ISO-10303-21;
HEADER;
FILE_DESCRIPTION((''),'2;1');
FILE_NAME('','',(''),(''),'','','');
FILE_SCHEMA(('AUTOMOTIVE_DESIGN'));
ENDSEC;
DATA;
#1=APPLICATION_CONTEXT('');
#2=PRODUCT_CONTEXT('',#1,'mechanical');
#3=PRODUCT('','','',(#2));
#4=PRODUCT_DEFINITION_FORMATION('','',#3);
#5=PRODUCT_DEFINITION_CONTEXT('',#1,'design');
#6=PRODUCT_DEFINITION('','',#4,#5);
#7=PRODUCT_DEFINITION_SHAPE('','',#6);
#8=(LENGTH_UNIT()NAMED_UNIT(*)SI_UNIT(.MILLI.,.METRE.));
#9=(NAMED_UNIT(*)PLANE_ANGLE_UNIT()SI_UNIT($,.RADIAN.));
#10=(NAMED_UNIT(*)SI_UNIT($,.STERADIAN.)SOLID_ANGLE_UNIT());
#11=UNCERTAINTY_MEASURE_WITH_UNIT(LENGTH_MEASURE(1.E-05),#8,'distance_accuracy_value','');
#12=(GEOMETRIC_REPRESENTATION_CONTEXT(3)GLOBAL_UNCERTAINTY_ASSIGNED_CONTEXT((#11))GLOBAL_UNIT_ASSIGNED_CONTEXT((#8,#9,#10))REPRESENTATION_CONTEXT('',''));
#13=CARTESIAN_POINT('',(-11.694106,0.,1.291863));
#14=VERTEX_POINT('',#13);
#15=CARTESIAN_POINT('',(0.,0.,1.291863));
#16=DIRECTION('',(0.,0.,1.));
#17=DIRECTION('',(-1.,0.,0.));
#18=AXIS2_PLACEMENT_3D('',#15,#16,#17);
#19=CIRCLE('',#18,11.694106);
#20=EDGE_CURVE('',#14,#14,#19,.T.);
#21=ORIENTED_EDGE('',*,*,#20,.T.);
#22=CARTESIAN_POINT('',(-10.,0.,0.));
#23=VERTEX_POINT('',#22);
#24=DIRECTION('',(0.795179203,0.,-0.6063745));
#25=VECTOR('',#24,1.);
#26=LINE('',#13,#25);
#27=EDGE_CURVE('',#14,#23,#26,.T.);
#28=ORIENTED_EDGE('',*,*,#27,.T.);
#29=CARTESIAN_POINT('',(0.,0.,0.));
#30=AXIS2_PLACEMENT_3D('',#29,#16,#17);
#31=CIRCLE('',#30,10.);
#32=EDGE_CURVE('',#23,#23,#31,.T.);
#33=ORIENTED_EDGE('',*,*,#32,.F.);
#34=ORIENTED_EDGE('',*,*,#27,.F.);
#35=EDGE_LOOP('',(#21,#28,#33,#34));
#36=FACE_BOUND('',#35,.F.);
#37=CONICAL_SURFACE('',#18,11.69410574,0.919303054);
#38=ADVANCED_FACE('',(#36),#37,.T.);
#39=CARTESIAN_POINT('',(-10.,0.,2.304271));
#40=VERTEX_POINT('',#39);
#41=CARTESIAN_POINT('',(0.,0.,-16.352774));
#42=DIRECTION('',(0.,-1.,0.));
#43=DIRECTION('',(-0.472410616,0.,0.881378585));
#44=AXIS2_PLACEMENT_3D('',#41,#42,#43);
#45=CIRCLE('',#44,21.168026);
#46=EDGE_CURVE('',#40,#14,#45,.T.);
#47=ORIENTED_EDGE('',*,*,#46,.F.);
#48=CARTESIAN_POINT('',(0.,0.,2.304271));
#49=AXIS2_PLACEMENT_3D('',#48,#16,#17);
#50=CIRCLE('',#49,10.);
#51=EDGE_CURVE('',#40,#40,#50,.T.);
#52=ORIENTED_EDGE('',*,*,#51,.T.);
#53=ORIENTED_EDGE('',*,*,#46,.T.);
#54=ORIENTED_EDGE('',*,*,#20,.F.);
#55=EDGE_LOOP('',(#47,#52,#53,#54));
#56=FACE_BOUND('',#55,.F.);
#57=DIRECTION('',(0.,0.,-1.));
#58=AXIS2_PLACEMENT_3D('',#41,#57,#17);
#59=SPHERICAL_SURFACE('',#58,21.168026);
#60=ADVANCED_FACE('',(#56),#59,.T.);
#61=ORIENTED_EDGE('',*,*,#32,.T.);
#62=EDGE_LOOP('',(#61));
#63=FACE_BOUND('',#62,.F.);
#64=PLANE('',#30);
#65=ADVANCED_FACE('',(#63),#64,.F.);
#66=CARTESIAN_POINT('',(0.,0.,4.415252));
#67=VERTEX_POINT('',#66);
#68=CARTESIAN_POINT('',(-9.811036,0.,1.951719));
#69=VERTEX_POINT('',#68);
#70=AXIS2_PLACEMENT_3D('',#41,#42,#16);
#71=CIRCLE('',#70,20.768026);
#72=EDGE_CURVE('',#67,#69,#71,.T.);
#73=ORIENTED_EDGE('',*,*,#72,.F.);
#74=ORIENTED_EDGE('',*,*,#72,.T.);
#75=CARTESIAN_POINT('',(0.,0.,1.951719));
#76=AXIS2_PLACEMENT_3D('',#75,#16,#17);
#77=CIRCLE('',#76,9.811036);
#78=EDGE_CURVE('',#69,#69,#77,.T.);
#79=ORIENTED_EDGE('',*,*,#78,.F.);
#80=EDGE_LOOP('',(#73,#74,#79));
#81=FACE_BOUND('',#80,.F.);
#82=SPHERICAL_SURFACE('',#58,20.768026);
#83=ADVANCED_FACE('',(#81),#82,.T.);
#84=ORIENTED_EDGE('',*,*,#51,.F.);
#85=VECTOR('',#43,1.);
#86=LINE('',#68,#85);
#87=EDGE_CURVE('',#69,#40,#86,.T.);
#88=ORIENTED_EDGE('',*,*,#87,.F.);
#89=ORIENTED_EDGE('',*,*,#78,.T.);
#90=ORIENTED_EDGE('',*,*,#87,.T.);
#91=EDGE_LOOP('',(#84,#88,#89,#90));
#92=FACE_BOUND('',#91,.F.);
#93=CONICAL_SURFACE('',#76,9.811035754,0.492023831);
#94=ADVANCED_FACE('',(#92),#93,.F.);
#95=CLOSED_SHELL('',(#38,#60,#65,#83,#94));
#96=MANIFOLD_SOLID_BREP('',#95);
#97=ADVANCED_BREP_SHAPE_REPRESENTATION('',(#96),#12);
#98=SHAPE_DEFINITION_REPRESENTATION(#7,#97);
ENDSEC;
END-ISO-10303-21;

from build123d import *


with BuildPart() as f1:
    # F0 (on Front) → F1 (revolve)
    with BuildSketch(Plane.XZ):
        with BuildLine():
            ThreePointArc((-9.0551787683, 0.5415136559), (-4.6681406487, 2.2381292097), (0, 2.8152519736))
            Line((0, 2.8152519736), (0, 4.4152519736))
            ThreePointArc((0, 4.4152519736), (-5.0578012847, 3.7899554205), (-9.8110357537, 1.9517193918))
            Line((-9.8110357537, 1.9517193918), (-9.0551787683, 0.5415136559))
        make_face()
        with BuildLine():
            ThreePointArc((-10, 0), (-9.5314358169, 0.2774680001), (-9.0551787683, 0.5415136559))
            Line((-9.0551787683, 0.5415136559), (-9.8110357537, 1.9517193918))
            Line((-9.8110357537, 1.9517193918), (-10, 2.3042708258))
            ThreePointArc((-10, 2.3042708258), (-10.8588580618, 1.8178210051), (-11.6941057396, 1.2918629127))
            Line((-11.6941057396, 1.2918629127), (-10, 0))
        make_face()
        with BuildLine():
            Line((0, 0), (0, 2.8152519736))
            ThreePointArc((0, 2.8152519736), (-4.6681406487, 2.2381292097), (-9.0551787683, 0.5415136559))
            ThreePointArc((-9.0551787683, 0.5415136559), (-9.5314358169, 0.2774680001), (-10, 0))
            Line((-10, 0), (0, 0))
        make_face()
    revolve(axis=Axis((0, 0, 2.2076259868), (0, 0, 1)))


solid = f1.part
